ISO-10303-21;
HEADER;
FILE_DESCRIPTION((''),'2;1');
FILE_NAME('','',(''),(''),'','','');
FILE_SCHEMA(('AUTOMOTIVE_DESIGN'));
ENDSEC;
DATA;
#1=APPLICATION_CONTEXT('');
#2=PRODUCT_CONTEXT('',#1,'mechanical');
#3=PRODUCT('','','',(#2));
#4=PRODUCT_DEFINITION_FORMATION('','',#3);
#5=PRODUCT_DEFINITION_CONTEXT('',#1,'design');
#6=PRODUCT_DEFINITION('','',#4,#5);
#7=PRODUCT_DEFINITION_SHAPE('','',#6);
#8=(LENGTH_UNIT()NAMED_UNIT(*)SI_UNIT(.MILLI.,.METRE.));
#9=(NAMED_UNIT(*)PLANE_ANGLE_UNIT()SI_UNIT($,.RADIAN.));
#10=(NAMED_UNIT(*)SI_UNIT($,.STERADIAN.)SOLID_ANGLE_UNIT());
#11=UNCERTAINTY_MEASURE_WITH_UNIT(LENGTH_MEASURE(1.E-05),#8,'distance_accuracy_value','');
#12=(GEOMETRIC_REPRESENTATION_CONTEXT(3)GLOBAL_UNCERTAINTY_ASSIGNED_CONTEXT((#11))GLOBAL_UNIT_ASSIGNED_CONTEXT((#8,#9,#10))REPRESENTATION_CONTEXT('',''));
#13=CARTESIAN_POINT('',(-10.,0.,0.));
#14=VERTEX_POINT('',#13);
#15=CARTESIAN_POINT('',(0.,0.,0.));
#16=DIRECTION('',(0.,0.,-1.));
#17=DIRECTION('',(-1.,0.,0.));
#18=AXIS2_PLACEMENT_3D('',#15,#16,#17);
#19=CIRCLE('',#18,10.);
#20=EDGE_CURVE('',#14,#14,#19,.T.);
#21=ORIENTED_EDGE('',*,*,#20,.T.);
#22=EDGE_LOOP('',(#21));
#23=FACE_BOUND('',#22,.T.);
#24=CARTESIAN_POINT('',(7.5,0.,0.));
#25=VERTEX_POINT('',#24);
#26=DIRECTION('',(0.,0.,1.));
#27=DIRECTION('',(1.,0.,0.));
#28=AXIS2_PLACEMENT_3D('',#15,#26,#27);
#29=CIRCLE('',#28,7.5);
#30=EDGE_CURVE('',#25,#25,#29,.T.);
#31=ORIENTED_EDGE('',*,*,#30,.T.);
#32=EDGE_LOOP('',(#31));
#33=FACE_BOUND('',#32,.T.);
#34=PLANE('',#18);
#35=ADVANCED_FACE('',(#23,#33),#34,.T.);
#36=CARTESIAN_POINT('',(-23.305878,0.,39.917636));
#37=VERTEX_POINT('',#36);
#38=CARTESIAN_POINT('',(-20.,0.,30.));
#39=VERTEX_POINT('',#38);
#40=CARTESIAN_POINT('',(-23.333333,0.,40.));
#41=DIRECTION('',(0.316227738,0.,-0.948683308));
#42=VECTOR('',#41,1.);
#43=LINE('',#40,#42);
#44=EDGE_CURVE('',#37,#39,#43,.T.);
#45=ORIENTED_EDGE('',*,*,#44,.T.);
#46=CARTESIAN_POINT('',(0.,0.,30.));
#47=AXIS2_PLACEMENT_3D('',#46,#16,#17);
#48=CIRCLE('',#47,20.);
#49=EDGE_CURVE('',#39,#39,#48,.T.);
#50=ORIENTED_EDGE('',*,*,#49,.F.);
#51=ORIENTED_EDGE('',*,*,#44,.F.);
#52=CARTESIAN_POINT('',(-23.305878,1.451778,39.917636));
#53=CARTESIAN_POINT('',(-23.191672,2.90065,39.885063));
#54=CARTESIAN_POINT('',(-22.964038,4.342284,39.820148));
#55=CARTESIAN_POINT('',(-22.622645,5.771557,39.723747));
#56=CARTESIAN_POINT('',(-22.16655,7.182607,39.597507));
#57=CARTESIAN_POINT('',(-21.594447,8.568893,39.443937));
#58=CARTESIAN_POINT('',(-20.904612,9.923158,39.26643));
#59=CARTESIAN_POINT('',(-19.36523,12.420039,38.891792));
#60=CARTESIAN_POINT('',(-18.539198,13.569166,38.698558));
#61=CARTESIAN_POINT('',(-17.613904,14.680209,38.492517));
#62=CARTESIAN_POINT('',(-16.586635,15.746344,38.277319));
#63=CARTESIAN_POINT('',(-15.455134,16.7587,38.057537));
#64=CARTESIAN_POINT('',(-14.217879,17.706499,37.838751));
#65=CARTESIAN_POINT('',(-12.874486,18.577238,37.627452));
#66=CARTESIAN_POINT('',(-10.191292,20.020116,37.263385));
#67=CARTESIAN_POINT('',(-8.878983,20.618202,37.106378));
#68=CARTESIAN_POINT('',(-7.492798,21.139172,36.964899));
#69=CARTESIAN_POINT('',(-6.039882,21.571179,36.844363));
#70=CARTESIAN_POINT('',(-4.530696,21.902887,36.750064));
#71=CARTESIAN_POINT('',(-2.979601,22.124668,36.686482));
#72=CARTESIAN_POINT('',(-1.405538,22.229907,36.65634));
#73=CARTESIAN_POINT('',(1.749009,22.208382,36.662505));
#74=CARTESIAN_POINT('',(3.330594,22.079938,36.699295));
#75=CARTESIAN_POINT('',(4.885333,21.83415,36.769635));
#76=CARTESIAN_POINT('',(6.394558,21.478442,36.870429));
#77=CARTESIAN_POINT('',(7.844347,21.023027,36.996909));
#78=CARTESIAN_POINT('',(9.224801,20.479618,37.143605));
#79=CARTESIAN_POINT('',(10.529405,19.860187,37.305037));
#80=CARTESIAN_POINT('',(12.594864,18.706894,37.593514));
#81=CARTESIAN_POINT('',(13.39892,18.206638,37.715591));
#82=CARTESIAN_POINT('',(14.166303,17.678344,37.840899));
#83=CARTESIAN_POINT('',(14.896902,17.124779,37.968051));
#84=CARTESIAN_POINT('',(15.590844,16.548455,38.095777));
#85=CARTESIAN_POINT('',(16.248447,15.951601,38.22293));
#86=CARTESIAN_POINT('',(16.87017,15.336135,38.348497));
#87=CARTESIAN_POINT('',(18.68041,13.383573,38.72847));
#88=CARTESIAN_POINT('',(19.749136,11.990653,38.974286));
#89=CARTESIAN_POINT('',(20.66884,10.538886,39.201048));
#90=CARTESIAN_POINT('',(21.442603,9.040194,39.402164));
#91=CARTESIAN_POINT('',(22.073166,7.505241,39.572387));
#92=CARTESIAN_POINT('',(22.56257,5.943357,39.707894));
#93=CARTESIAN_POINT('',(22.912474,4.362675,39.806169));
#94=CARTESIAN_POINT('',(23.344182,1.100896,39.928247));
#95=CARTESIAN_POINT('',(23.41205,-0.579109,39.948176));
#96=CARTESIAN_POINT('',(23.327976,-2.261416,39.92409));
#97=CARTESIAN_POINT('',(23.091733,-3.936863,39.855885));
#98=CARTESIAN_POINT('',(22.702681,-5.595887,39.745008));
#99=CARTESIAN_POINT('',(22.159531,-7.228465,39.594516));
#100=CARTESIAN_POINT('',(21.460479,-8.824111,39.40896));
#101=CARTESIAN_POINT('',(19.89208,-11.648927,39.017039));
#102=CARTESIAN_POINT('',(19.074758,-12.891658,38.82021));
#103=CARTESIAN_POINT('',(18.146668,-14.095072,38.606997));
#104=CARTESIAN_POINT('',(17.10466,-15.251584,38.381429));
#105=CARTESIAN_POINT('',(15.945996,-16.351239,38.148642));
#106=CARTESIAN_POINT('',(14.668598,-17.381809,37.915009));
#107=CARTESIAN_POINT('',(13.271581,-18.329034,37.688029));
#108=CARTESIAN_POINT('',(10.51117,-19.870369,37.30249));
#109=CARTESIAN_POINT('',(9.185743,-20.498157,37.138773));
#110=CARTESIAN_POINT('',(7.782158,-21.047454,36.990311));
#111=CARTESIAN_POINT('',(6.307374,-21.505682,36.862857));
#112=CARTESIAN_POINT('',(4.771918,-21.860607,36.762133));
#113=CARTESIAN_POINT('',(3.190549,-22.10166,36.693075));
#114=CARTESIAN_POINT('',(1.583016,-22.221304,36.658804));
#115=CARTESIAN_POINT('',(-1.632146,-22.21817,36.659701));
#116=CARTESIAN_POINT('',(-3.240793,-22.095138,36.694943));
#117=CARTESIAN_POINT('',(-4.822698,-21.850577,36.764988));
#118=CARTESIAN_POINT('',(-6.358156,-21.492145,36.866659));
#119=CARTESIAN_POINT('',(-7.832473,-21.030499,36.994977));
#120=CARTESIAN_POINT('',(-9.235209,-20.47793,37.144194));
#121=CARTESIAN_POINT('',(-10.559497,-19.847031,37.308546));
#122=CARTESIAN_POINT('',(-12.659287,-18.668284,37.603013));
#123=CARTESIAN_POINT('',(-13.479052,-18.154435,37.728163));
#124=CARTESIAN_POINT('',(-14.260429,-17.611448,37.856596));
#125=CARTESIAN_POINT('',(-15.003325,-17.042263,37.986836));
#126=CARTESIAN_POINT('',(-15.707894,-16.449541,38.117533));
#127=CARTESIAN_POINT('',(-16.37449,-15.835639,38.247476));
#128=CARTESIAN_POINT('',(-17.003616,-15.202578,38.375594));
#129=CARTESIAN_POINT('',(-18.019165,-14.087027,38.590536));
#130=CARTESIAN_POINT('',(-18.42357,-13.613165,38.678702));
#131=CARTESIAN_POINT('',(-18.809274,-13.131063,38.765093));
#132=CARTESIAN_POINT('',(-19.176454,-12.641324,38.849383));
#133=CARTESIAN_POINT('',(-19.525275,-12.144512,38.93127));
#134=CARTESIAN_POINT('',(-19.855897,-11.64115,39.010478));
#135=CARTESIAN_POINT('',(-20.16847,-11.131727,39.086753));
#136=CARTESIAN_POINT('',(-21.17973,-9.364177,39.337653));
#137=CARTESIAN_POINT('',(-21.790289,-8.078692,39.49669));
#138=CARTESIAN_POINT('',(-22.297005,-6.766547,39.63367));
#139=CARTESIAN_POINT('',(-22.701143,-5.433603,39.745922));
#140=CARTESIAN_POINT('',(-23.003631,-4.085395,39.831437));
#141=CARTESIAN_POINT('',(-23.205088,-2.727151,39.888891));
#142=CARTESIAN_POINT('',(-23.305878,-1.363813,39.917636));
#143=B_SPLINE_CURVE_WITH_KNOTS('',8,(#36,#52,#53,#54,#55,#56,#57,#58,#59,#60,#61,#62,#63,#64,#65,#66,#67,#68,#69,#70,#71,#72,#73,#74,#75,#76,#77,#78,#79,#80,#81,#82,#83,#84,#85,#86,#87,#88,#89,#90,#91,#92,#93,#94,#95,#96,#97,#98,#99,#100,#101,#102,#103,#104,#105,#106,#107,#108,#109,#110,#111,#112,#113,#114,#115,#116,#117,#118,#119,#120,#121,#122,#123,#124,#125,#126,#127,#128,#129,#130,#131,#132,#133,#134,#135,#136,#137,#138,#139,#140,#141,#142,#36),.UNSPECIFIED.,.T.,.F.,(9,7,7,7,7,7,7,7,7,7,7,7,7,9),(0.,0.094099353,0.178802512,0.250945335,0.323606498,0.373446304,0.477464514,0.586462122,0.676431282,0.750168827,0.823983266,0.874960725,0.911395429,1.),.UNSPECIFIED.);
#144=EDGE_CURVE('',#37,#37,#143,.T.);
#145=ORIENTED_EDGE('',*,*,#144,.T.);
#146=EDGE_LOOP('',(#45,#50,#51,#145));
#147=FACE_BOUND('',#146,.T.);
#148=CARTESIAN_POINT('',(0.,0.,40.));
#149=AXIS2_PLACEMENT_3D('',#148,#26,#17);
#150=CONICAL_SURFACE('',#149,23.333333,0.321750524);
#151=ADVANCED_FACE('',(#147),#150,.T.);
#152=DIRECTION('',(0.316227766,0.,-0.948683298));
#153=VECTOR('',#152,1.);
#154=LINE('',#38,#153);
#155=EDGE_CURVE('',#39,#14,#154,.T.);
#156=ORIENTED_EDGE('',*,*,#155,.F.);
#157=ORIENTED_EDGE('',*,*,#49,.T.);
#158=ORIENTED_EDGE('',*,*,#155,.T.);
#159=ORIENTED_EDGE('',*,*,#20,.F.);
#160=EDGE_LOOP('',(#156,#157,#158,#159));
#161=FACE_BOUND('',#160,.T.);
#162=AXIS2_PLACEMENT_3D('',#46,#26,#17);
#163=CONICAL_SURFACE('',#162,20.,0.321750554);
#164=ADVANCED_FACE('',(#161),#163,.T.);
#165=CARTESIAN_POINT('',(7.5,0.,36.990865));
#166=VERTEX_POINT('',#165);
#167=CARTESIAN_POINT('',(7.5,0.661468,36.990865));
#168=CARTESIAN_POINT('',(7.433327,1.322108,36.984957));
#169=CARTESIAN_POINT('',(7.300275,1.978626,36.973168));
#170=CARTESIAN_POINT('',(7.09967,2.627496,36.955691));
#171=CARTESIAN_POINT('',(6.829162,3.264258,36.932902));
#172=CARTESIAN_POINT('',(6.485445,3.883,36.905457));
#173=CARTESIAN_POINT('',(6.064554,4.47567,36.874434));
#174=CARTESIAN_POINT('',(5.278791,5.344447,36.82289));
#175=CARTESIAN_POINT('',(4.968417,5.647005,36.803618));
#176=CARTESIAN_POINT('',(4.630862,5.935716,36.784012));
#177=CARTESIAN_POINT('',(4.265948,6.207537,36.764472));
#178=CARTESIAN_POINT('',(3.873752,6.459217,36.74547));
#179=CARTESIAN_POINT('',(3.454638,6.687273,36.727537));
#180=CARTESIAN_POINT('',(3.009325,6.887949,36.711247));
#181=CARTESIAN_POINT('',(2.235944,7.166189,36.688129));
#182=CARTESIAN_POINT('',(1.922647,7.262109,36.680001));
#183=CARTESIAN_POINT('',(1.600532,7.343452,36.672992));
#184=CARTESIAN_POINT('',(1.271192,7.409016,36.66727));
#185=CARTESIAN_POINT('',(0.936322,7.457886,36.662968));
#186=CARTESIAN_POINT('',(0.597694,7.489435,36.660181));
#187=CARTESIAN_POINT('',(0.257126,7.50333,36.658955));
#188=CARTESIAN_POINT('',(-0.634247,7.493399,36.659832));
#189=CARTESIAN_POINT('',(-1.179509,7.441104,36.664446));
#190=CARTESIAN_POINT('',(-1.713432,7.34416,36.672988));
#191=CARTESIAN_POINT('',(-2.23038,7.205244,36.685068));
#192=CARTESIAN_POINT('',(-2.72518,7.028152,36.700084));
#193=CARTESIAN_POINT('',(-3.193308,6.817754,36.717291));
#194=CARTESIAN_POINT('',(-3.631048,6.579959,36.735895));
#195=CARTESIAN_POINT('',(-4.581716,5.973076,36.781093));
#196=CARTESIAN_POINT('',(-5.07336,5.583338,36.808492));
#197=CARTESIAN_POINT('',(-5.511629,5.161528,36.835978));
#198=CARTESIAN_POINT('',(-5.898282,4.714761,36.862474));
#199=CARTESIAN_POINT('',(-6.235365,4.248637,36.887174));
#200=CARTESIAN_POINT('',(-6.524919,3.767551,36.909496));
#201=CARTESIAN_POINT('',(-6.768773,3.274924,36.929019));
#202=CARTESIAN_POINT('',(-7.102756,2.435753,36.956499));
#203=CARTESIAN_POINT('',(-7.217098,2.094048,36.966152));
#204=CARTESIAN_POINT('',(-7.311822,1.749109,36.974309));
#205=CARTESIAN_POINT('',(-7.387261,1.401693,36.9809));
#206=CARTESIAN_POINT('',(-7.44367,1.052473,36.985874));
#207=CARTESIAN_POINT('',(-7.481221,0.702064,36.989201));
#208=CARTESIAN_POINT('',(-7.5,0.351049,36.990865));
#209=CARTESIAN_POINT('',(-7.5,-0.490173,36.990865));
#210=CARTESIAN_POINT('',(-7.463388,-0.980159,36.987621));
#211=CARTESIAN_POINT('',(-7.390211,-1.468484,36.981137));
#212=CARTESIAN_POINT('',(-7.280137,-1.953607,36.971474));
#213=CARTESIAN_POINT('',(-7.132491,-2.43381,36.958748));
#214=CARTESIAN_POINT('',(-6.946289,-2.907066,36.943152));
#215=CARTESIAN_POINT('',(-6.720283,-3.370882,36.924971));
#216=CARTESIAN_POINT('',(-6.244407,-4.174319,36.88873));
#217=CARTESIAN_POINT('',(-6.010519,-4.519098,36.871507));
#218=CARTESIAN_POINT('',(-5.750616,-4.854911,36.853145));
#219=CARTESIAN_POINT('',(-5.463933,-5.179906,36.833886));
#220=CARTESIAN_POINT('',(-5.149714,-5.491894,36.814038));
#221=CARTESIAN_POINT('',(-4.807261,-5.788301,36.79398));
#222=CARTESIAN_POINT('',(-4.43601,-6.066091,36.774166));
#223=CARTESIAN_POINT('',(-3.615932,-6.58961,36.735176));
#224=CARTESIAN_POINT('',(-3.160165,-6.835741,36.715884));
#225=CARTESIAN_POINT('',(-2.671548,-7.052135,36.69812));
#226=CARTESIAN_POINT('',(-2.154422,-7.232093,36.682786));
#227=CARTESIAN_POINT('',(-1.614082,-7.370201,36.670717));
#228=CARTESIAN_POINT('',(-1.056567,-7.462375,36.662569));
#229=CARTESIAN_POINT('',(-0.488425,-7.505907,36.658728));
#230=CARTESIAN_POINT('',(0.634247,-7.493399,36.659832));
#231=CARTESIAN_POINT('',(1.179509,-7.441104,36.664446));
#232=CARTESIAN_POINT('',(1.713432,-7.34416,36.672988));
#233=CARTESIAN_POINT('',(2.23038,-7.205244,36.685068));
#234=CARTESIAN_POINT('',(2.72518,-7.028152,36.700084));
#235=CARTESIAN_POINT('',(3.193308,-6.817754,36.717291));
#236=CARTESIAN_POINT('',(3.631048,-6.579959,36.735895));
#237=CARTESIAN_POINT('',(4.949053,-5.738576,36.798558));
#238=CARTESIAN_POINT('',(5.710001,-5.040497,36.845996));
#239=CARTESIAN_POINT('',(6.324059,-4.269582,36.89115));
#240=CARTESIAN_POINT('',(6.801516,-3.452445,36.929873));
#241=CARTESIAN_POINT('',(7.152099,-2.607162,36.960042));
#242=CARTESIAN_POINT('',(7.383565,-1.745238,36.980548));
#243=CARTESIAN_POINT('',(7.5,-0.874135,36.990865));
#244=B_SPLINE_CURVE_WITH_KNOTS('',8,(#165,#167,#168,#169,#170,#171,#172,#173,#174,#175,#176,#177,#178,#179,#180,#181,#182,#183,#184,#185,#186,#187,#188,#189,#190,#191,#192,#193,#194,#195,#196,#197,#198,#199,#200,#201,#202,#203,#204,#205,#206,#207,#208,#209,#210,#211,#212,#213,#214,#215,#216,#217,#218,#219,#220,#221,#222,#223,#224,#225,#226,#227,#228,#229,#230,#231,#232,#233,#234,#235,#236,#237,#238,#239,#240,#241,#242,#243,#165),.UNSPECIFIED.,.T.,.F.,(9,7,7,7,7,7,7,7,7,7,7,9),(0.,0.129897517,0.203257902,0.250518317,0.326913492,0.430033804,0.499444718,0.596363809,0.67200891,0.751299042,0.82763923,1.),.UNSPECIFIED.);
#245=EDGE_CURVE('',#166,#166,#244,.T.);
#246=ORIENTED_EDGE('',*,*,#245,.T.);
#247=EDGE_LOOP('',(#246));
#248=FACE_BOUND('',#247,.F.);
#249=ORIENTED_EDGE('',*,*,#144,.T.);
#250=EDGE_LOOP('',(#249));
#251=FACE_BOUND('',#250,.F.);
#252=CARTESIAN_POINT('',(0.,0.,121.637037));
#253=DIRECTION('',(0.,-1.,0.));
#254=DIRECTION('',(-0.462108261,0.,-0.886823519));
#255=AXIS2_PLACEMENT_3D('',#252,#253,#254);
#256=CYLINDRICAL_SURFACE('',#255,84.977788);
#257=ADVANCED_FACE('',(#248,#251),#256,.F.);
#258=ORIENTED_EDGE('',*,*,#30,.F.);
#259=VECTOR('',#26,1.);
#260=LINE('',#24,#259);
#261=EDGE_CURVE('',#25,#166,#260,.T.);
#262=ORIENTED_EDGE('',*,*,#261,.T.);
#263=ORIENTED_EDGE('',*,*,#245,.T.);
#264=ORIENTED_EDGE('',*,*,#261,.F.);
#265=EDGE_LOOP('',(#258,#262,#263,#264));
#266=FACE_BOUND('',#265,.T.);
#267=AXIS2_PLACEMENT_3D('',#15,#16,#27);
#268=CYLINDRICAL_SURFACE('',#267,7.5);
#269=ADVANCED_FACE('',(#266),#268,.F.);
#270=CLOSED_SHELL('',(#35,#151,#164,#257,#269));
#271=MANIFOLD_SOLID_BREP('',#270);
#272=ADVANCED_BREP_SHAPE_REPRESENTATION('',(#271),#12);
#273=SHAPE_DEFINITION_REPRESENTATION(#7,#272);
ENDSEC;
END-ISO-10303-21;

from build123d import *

# Parameters (mm, degrees)
F2_R     = 7.5
F3_DEPTH = 50
F5_DEPTH = 25


with BuildPart() as f1:
    # F0 (on Front) → F1 (revolve)
    with BuildSketch(Plane.XZ):
        Polygon((-20, 30), (-10, 0), (0, 0), (0, 40), (-23.333333, 40), align=None)
    revolve(axis=Axis((0, 0, 20), (0, 0, -1)))

    # F2 (on Top) → F3 (cut)
    with BuildSketch(Plane.XY):
        Circle(F2_R)
    extrude(amount=F3_DEPTH, mode=Mode.SUBTRACT)

    # F4 (on Front) → F5 (cut, symmetric)
    with BuildSketch(Plane.XZ):
        with BuildLine():
            ThreePointArc((39.268938, 46.276736), (0, 57.353531), (-39.268938, 46.276736))
            ThreePointArc((-39.268938, 46.276736), (0, 36.659249), (39.268938, 46.276736))
        make_face()
    extrude(amount=F5_DEPTH, both=True, mode=Mode.SUBTRACT)


solid = f1.part
